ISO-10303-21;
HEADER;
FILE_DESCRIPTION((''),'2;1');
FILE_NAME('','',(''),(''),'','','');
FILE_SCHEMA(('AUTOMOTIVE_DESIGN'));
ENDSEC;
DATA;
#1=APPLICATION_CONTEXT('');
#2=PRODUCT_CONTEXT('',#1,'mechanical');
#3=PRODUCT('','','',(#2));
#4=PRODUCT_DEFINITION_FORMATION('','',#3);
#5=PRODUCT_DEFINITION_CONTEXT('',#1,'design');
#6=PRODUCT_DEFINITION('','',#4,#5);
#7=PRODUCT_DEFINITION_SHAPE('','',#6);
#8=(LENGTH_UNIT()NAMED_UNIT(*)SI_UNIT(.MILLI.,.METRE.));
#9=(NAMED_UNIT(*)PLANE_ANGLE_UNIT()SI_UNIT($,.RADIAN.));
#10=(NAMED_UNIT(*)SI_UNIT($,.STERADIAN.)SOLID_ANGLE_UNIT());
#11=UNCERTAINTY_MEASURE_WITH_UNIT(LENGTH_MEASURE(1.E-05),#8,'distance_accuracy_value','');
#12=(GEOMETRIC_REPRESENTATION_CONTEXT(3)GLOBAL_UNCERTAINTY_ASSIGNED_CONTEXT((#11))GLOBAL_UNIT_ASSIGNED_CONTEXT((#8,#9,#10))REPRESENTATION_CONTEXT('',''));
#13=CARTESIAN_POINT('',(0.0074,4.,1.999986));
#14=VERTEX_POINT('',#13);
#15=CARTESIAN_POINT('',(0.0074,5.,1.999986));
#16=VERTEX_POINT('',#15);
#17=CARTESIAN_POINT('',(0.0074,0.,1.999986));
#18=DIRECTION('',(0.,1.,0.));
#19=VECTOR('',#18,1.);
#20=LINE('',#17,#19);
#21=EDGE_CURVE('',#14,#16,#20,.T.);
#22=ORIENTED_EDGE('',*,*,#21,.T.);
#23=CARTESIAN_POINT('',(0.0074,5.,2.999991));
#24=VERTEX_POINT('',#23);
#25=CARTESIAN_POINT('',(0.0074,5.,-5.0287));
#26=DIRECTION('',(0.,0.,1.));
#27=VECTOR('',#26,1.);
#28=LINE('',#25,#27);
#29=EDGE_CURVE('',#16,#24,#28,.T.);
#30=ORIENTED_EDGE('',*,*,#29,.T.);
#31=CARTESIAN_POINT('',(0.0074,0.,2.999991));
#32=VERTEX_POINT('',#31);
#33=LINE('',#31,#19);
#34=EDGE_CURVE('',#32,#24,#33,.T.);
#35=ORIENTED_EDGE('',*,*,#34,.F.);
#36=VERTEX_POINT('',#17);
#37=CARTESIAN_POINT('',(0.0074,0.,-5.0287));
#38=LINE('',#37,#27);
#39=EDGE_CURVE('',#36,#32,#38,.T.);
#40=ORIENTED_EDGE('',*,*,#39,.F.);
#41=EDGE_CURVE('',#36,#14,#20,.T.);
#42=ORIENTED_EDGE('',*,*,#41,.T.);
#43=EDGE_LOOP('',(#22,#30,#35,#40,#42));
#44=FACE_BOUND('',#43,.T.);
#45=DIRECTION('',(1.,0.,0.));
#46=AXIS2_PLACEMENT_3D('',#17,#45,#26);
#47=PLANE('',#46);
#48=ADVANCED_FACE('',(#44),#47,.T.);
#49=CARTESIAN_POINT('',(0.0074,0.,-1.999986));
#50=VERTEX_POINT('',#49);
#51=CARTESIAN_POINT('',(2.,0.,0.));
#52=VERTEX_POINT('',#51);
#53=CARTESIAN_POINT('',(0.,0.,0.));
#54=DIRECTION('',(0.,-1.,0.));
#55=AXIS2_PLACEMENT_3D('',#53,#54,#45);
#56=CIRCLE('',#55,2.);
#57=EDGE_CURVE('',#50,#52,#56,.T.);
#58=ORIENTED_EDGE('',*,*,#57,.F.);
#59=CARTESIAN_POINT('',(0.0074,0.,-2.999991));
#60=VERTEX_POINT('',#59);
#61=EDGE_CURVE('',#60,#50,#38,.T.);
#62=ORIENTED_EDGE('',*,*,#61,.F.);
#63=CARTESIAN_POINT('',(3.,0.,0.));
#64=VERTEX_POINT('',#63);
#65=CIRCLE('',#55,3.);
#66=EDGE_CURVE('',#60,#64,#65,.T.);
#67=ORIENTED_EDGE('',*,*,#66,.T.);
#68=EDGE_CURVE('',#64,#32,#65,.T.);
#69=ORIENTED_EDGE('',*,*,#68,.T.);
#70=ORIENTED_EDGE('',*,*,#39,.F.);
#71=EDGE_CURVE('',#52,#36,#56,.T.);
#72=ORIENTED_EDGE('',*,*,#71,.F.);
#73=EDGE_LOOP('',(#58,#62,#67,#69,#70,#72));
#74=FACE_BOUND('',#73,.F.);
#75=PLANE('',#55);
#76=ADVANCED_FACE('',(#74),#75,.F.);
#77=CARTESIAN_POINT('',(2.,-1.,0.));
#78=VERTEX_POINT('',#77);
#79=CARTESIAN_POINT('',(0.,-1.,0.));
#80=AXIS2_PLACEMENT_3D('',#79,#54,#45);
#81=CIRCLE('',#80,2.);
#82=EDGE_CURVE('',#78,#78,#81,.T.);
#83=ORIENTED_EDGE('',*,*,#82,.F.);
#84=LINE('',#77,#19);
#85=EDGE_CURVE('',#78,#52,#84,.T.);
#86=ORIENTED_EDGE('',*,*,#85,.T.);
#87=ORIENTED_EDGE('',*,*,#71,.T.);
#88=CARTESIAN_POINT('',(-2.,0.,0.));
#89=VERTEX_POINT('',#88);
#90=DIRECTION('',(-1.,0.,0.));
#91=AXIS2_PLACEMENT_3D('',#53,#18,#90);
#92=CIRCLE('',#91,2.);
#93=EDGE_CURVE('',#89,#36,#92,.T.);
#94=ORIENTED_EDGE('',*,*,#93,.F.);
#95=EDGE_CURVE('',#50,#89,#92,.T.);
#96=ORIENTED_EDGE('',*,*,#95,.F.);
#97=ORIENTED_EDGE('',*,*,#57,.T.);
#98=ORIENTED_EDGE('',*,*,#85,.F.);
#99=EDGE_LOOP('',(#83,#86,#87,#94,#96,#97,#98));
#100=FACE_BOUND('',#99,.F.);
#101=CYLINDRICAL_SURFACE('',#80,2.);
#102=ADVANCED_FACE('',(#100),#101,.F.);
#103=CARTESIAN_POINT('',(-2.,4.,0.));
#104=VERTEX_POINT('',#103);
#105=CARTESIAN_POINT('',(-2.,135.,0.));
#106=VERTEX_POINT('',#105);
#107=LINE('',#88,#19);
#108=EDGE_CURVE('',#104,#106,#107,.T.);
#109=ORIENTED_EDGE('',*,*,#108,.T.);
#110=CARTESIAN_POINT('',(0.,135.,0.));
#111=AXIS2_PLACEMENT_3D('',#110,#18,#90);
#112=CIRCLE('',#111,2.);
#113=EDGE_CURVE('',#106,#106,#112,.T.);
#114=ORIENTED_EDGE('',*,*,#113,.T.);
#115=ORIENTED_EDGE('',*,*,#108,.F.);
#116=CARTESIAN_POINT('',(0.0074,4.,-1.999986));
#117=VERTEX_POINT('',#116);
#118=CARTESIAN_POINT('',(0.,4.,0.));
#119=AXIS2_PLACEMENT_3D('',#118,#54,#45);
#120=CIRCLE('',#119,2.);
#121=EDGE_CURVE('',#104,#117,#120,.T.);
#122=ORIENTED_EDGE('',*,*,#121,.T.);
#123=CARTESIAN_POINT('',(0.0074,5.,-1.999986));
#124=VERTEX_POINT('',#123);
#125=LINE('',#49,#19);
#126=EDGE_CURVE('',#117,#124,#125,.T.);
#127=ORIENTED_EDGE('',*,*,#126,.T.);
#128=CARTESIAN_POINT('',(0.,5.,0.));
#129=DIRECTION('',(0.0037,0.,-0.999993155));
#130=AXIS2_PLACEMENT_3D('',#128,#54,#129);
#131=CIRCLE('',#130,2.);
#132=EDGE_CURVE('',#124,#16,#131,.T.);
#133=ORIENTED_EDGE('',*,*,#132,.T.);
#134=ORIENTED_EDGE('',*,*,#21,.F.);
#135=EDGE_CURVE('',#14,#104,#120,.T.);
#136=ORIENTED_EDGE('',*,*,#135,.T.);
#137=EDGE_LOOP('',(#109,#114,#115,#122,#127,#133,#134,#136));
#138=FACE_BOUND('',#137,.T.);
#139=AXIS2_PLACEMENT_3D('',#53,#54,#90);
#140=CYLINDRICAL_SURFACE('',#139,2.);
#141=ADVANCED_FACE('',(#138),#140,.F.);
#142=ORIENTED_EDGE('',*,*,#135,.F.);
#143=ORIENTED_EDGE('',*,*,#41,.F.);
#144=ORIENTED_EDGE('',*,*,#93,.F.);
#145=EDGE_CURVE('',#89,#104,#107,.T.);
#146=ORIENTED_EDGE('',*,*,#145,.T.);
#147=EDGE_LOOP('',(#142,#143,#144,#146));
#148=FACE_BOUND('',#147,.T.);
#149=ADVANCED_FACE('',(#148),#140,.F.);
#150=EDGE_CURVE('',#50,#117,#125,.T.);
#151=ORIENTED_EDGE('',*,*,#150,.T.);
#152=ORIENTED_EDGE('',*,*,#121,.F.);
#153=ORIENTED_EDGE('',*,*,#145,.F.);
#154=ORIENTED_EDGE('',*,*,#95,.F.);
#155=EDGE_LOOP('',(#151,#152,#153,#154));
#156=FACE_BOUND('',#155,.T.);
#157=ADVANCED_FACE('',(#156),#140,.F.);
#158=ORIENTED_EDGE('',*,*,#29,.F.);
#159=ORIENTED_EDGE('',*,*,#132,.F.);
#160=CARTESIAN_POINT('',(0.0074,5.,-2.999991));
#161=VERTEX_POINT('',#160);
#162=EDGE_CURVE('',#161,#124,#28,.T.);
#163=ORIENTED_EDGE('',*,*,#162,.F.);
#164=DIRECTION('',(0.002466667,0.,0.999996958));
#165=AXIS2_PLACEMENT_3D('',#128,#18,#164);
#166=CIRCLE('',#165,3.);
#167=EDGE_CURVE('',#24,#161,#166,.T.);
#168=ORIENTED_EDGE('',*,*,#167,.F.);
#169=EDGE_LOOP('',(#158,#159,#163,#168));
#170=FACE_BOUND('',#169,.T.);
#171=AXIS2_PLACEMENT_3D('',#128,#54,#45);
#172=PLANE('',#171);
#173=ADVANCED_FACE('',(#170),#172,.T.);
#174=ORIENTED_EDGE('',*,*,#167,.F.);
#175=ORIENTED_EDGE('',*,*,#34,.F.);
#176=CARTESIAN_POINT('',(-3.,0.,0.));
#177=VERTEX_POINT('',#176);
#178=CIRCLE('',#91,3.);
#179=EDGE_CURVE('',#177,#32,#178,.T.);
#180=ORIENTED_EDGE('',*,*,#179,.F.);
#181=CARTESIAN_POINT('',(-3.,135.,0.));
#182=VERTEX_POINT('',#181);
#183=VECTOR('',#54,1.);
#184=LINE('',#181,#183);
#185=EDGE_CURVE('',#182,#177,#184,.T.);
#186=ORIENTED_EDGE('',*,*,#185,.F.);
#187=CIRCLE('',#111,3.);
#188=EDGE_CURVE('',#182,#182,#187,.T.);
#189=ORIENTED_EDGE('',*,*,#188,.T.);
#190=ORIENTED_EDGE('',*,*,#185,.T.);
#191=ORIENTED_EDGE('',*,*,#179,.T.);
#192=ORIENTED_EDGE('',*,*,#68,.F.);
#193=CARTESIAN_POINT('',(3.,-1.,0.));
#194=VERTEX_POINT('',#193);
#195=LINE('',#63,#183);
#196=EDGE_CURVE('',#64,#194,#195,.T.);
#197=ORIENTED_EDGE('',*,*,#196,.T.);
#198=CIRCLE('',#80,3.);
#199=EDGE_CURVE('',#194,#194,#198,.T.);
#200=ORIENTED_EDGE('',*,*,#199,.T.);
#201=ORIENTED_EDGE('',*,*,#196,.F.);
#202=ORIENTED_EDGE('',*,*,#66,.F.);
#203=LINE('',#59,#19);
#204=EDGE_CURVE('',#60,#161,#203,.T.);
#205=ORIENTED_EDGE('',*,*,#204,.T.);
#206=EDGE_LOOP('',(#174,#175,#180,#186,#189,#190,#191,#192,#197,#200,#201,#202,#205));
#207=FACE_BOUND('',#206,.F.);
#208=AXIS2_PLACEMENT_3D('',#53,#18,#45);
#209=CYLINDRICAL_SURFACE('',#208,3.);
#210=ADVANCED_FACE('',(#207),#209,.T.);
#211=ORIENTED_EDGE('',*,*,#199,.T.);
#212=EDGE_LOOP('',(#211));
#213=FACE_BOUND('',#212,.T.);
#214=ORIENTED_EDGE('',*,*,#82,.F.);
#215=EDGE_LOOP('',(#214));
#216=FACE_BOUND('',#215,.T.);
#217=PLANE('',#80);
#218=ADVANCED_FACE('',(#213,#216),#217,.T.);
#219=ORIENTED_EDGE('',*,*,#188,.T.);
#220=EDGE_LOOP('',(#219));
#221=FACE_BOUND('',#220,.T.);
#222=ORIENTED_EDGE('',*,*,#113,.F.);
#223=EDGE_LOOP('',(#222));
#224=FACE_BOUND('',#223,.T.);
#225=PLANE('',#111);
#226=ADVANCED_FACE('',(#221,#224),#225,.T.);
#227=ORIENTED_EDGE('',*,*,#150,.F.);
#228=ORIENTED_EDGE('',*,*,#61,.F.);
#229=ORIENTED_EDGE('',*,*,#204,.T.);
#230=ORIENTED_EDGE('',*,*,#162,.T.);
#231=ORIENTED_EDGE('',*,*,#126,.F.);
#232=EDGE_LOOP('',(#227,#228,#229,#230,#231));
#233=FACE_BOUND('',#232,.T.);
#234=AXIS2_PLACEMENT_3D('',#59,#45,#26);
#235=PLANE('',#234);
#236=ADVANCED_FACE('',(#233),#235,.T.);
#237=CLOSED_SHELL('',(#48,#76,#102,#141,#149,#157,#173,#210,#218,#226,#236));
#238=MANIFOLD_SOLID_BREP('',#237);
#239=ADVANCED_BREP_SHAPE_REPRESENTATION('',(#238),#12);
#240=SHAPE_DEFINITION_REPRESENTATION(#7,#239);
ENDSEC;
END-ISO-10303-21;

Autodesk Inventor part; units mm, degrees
ref_plane "YZ Plane" through (0, 0, 0) normal (1, 0, 0) x (0, 1, 0)
ref_plane "XZ Plane" through (0, 0, 0) normal (0, 1, 0) x (-1, 0, 0)
ref_plane "XY Plane" through (0, 0, 0) normal (0, 0, 1) x (1, 0, 0)
sketch "Szkic1" plane through (0, 0, 0) normal (0, 1, 0) x (-1, 0, 0)
  circle A0 centre (0, 0) radius 3
  circle A1 centre (0, 0) radius 2
  dimension "d0" = 6
  dimension "d1" = 4
extrude "Wyciągnięcie proste1" add sketch "Szkic1" along normal blind 135
sketch "Szkic2" plane through (0, 0, 0) normal (0, -1, 0) x (1, 0, 0)
  circle A0 centre (0, 0) radius 2 projected
  circle A1 centre (0, 0) radius 3
  dimension "d4" = 6
sketch "Szkic3" plane through (0, 0, 0) normal (0, -1, 0) x (1, 0, 0)
  circle A0 centre (0, 0) radius 3 projected
  line L0 (-0.7678, 2.9001) -> (-0.7678, 1.8467)
  circle A1 centre (0, 0) radius 2 projected
  line L1 (-0.7678, -1.8467) -> (-0.7678, -2.9012)
  line L2 (0.7678, 2.9001) -> (0.7678, 1.8467)
  line L3 (0.7678, -1.8467) -> (0.7678, -2.9001)
  line L4 (-5.8889, 4.1288) -> (-0.7678, 4.1288)
  line L5 (-0.7678, 4.1288) -> (-0.7678, -5.0287)
  line L6 (-0.7678, -5.0287) -> (-5.8889, -5.0287)
  line L7 (-5.8889, -5.0287) -> (-5.8889, 4.1288)
  line L8 (0.0074, 4.1288) -> (6.1006, 4.1288)
  line L9 (6.1006, 4.1288) -> (6.1006, -5.0287)
  line L10 (6.1006, -5.0287) -> (0.0074, -5.0287)
  line L11 (0.0074, -5.0287) -> (0.0074, 4.1288)
  point P0 (-0.7678, -2.9001)
extrude "Wyciągnięcie proste2" cut sketch "Szkic3" against normal blind 5 contours A0 L3 A1 L2 | A0 L11 L8 L9 L10 | L2 A1 L11 A0 | A0 L11 A1 L3 | A1 L11 | A0 L5 L6 L7 L4
extrude "Wyciągnięcie proste3" add sketch "Szkic2" along normal blind 1 contours A0 | A1
sketch "Szkic4" plane through (0, -1, 0) normal (0, -1, 0) x (1, 0, 0)
  circle A0 centre (0, 0) radius 2
  dimension "d9" = 4
extrude "Wyciągnięcie proste4" cut sketch "Szkic4" against normal blind 5
properties part number "rurkadoczujnika"
